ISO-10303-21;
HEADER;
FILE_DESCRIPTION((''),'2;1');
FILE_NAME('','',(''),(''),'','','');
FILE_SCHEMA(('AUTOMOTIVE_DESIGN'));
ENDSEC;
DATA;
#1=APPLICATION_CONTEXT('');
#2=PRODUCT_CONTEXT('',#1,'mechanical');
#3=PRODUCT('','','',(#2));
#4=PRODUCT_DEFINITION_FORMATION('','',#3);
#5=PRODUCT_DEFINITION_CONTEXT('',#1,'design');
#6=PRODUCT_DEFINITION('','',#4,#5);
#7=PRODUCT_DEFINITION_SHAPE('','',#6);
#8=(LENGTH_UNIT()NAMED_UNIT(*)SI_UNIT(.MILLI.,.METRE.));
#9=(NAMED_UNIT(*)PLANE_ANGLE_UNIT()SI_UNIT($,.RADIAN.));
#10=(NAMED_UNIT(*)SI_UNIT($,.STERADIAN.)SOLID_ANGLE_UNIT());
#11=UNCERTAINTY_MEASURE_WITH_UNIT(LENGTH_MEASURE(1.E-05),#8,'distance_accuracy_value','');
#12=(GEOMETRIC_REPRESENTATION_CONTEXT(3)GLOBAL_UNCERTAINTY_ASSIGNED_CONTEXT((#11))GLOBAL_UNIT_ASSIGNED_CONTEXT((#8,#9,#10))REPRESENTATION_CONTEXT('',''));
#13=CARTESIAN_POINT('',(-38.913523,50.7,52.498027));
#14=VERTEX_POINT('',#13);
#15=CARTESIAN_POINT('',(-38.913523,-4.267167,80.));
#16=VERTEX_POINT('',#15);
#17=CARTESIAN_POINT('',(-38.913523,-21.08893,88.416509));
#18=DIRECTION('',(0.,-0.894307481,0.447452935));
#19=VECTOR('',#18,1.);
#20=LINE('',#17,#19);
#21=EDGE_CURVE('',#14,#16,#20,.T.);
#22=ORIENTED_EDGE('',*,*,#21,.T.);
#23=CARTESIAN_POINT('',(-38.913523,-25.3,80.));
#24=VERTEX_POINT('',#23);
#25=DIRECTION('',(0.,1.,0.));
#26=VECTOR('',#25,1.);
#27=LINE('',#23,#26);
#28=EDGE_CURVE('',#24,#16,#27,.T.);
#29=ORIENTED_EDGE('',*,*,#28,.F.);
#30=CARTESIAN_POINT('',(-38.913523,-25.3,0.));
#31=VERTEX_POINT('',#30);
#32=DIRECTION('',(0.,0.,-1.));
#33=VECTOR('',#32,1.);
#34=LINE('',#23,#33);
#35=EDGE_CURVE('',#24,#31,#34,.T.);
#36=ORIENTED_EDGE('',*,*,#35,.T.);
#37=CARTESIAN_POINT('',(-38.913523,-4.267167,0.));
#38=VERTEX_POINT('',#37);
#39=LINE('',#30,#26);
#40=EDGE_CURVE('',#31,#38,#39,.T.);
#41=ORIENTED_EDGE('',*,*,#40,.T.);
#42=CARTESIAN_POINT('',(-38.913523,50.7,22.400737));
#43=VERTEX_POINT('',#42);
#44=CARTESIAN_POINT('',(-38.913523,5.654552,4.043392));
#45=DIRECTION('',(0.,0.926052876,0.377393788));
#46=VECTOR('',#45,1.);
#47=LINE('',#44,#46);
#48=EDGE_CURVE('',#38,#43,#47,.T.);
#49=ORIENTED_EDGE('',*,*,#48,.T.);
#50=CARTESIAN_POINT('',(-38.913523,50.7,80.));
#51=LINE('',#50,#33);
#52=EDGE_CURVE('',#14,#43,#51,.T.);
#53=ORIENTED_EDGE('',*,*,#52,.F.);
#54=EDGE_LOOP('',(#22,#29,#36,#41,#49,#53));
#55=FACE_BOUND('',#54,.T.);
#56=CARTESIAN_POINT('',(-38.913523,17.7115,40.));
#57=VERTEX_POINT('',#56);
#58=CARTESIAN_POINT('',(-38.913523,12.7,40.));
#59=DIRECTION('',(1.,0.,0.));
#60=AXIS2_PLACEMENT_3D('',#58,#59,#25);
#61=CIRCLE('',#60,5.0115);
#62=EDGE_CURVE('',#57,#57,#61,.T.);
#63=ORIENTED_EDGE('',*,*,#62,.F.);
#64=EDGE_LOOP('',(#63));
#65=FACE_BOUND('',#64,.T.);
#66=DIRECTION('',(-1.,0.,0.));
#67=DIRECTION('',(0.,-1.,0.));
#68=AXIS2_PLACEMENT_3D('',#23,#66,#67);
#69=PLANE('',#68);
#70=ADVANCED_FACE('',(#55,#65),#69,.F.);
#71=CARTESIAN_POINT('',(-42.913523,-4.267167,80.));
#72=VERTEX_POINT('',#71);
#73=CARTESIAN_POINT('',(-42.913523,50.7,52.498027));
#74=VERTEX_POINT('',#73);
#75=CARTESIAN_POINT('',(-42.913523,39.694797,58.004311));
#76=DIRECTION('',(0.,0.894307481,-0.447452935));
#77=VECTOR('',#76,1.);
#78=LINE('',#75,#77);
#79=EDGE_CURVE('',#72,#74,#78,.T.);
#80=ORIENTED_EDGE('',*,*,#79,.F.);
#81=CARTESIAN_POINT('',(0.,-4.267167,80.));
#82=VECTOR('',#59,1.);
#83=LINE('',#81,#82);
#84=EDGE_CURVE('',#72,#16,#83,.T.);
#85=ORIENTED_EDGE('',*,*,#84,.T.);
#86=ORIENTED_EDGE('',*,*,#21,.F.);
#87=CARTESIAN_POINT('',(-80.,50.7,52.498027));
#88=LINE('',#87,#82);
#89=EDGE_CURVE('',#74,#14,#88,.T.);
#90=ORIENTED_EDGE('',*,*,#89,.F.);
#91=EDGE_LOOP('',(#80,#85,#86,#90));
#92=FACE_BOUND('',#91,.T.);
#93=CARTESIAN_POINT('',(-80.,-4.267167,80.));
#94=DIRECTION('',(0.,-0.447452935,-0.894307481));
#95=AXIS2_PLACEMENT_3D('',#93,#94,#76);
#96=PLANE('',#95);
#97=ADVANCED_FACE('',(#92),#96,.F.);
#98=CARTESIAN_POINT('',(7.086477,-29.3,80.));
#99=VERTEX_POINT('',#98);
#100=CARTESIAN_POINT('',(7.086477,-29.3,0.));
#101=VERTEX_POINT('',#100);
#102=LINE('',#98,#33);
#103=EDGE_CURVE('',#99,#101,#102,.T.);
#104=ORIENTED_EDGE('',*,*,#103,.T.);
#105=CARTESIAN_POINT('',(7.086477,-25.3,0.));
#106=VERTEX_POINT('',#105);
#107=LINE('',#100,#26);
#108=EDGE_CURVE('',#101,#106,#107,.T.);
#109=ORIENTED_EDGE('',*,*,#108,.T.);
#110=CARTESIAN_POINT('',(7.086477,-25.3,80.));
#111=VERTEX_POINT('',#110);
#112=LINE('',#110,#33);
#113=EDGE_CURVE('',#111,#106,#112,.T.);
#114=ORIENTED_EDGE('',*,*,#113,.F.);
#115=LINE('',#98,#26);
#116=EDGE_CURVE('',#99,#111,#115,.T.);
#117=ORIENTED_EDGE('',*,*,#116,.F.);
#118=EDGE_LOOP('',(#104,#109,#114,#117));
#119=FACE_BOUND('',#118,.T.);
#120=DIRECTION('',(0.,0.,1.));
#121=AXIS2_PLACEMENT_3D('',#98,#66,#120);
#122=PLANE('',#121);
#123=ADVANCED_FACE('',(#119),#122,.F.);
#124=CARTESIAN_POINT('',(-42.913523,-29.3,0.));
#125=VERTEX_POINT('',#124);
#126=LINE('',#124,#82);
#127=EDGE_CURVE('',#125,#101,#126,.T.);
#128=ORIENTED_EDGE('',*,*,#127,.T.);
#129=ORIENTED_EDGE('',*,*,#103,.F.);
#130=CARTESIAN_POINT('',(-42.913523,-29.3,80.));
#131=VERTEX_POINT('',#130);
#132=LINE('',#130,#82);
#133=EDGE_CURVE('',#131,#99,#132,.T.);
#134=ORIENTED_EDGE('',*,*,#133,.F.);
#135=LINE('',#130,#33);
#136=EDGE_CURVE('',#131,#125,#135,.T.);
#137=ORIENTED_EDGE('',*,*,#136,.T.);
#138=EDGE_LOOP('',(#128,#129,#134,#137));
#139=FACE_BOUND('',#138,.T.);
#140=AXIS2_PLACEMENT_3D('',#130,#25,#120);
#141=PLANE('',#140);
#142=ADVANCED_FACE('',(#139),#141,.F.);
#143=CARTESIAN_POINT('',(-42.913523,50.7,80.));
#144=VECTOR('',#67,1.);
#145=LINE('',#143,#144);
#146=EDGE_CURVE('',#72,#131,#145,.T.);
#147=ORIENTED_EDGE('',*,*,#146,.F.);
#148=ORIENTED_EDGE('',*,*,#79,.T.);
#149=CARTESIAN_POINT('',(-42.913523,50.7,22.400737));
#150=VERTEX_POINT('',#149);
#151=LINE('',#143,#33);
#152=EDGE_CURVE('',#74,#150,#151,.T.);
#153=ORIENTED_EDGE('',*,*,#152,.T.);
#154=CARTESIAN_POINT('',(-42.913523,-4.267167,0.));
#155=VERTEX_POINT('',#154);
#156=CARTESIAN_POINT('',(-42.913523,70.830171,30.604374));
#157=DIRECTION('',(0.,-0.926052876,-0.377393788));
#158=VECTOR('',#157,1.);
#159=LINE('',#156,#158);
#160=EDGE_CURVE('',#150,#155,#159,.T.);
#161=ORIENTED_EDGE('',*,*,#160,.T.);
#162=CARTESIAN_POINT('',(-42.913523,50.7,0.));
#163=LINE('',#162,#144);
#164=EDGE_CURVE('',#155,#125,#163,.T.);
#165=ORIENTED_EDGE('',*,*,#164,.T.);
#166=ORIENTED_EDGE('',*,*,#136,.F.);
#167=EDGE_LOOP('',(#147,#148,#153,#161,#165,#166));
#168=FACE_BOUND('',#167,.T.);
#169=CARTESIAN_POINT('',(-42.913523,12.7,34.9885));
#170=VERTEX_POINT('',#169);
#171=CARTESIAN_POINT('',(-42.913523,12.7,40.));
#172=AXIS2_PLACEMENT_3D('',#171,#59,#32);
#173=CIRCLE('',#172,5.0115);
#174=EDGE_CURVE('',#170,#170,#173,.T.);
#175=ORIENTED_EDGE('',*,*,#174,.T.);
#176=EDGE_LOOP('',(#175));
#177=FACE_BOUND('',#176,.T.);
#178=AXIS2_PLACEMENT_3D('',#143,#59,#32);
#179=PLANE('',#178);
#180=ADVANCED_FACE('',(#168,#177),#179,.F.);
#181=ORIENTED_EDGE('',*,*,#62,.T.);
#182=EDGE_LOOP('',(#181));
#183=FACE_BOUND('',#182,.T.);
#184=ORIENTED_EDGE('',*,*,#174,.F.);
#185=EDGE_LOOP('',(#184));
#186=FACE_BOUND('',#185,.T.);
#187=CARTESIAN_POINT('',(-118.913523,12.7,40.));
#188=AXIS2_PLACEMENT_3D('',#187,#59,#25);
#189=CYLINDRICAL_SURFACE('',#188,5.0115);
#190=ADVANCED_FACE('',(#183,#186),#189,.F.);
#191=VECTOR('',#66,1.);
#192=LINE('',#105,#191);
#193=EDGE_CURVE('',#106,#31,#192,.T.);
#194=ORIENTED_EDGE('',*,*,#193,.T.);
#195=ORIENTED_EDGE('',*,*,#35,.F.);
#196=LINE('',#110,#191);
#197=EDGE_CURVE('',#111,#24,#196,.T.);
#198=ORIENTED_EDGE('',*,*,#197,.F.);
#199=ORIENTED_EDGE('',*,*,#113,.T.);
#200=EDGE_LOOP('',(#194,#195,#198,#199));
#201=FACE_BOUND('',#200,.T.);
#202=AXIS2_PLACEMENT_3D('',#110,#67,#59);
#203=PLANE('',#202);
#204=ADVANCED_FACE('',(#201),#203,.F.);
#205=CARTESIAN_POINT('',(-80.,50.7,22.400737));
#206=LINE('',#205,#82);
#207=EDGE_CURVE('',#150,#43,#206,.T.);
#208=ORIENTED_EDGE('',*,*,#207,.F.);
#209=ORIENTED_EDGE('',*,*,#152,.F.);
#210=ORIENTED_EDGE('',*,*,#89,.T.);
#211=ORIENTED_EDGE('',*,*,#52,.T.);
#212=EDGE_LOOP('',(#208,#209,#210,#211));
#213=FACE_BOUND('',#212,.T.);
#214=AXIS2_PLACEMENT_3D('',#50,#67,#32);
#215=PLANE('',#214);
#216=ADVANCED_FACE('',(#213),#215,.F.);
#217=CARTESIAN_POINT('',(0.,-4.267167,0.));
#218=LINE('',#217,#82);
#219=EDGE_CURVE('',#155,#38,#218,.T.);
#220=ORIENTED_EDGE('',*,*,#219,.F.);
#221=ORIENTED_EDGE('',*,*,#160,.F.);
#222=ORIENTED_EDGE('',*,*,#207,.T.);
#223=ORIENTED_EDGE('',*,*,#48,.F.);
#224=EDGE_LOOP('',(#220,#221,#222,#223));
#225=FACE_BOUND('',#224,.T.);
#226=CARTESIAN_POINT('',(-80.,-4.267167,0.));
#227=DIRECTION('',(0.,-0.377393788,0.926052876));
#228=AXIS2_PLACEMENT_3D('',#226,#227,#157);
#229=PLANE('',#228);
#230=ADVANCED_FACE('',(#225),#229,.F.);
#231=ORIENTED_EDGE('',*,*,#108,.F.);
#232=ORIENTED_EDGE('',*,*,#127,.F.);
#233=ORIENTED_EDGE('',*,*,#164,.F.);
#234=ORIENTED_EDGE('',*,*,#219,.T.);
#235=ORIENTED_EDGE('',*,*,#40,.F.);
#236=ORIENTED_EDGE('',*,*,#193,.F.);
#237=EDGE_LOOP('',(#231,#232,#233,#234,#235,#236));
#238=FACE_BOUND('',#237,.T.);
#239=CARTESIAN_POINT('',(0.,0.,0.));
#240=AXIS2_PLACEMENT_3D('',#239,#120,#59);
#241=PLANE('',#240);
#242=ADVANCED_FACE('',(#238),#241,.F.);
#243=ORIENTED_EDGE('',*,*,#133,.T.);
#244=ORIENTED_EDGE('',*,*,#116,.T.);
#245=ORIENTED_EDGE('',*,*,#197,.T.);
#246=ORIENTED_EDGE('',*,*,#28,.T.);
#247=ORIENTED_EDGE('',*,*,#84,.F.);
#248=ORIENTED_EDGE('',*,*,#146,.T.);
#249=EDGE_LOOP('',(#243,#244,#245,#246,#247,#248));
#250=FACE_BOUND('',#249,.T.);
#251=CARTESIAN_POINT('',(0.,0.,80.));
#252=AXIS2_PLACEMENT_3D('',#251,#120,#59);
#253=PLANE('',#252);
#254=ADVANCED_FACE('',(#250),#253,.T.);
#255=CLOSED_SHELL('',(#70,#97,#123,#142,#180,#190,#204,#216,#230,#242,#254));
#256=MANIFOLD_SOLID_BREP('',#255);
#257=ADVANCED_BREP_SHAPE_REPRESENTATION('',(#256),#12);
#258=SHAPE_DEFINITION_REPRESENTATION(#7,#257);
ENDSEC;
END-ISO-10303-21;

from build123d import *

# Parameters (mm, degrees)
BOSS_EXTRUDE1_DEPTH = 80
SKETCH2_R           = 5.0115
CUT_EXTRUDE1_DEPTH  = 80
CUT_EXTRUDE2_DEPTH  = 80


with BuildPart() as part:
    # Sketch1 → Boss-Extrude1 (new body)
    with BuildSketch(Plane.XY):
        Polygon((-42.913522538, 50.7), (-42.913522538, -29.3), (7.086477462, -29.3), (7.086477462, -25.3), (-38.913522538, -25.3), (-38.913522538, 50.7), align=None)
    extrude(amount=BOSS_EXTRUDE1_DEPTH)

    # Sketch2 → Cut-Extrude1 (cut)
    with BuildSketch(Plane(origin=(-38.913522538, 0, 0), x_dir=(0, 0, -1), z_dir=(1, 0, 0))):
        with Locations(Location((-40, 12.7, 0), (0, 0, 90))):
            Circle(SKETCH2_R)
    extrude(amount=-CUT_EXTRUDE1_DEPTH, mode=Mode.SUBTRACT)

    # Sketch3 → Cut-Extrude2 (cut)
    with BuildSketch(Plane(origin=(0, 0, 0), x_dir=(0, 0, -1), z_dir=(1, 0, 0))):
        Polygon((-80, -4.267166785), (-52.498027081, 50.7), (-80, 50.7), align=None)
        Polygon((0, -4.267166785), (-22.400737376, 50.7), (0, 50.7), align=None)
    extrude(amount=-CUT_EXTRUDE2_DEPTH, mode=Mode.SUBTRACT)


solid = part.part
